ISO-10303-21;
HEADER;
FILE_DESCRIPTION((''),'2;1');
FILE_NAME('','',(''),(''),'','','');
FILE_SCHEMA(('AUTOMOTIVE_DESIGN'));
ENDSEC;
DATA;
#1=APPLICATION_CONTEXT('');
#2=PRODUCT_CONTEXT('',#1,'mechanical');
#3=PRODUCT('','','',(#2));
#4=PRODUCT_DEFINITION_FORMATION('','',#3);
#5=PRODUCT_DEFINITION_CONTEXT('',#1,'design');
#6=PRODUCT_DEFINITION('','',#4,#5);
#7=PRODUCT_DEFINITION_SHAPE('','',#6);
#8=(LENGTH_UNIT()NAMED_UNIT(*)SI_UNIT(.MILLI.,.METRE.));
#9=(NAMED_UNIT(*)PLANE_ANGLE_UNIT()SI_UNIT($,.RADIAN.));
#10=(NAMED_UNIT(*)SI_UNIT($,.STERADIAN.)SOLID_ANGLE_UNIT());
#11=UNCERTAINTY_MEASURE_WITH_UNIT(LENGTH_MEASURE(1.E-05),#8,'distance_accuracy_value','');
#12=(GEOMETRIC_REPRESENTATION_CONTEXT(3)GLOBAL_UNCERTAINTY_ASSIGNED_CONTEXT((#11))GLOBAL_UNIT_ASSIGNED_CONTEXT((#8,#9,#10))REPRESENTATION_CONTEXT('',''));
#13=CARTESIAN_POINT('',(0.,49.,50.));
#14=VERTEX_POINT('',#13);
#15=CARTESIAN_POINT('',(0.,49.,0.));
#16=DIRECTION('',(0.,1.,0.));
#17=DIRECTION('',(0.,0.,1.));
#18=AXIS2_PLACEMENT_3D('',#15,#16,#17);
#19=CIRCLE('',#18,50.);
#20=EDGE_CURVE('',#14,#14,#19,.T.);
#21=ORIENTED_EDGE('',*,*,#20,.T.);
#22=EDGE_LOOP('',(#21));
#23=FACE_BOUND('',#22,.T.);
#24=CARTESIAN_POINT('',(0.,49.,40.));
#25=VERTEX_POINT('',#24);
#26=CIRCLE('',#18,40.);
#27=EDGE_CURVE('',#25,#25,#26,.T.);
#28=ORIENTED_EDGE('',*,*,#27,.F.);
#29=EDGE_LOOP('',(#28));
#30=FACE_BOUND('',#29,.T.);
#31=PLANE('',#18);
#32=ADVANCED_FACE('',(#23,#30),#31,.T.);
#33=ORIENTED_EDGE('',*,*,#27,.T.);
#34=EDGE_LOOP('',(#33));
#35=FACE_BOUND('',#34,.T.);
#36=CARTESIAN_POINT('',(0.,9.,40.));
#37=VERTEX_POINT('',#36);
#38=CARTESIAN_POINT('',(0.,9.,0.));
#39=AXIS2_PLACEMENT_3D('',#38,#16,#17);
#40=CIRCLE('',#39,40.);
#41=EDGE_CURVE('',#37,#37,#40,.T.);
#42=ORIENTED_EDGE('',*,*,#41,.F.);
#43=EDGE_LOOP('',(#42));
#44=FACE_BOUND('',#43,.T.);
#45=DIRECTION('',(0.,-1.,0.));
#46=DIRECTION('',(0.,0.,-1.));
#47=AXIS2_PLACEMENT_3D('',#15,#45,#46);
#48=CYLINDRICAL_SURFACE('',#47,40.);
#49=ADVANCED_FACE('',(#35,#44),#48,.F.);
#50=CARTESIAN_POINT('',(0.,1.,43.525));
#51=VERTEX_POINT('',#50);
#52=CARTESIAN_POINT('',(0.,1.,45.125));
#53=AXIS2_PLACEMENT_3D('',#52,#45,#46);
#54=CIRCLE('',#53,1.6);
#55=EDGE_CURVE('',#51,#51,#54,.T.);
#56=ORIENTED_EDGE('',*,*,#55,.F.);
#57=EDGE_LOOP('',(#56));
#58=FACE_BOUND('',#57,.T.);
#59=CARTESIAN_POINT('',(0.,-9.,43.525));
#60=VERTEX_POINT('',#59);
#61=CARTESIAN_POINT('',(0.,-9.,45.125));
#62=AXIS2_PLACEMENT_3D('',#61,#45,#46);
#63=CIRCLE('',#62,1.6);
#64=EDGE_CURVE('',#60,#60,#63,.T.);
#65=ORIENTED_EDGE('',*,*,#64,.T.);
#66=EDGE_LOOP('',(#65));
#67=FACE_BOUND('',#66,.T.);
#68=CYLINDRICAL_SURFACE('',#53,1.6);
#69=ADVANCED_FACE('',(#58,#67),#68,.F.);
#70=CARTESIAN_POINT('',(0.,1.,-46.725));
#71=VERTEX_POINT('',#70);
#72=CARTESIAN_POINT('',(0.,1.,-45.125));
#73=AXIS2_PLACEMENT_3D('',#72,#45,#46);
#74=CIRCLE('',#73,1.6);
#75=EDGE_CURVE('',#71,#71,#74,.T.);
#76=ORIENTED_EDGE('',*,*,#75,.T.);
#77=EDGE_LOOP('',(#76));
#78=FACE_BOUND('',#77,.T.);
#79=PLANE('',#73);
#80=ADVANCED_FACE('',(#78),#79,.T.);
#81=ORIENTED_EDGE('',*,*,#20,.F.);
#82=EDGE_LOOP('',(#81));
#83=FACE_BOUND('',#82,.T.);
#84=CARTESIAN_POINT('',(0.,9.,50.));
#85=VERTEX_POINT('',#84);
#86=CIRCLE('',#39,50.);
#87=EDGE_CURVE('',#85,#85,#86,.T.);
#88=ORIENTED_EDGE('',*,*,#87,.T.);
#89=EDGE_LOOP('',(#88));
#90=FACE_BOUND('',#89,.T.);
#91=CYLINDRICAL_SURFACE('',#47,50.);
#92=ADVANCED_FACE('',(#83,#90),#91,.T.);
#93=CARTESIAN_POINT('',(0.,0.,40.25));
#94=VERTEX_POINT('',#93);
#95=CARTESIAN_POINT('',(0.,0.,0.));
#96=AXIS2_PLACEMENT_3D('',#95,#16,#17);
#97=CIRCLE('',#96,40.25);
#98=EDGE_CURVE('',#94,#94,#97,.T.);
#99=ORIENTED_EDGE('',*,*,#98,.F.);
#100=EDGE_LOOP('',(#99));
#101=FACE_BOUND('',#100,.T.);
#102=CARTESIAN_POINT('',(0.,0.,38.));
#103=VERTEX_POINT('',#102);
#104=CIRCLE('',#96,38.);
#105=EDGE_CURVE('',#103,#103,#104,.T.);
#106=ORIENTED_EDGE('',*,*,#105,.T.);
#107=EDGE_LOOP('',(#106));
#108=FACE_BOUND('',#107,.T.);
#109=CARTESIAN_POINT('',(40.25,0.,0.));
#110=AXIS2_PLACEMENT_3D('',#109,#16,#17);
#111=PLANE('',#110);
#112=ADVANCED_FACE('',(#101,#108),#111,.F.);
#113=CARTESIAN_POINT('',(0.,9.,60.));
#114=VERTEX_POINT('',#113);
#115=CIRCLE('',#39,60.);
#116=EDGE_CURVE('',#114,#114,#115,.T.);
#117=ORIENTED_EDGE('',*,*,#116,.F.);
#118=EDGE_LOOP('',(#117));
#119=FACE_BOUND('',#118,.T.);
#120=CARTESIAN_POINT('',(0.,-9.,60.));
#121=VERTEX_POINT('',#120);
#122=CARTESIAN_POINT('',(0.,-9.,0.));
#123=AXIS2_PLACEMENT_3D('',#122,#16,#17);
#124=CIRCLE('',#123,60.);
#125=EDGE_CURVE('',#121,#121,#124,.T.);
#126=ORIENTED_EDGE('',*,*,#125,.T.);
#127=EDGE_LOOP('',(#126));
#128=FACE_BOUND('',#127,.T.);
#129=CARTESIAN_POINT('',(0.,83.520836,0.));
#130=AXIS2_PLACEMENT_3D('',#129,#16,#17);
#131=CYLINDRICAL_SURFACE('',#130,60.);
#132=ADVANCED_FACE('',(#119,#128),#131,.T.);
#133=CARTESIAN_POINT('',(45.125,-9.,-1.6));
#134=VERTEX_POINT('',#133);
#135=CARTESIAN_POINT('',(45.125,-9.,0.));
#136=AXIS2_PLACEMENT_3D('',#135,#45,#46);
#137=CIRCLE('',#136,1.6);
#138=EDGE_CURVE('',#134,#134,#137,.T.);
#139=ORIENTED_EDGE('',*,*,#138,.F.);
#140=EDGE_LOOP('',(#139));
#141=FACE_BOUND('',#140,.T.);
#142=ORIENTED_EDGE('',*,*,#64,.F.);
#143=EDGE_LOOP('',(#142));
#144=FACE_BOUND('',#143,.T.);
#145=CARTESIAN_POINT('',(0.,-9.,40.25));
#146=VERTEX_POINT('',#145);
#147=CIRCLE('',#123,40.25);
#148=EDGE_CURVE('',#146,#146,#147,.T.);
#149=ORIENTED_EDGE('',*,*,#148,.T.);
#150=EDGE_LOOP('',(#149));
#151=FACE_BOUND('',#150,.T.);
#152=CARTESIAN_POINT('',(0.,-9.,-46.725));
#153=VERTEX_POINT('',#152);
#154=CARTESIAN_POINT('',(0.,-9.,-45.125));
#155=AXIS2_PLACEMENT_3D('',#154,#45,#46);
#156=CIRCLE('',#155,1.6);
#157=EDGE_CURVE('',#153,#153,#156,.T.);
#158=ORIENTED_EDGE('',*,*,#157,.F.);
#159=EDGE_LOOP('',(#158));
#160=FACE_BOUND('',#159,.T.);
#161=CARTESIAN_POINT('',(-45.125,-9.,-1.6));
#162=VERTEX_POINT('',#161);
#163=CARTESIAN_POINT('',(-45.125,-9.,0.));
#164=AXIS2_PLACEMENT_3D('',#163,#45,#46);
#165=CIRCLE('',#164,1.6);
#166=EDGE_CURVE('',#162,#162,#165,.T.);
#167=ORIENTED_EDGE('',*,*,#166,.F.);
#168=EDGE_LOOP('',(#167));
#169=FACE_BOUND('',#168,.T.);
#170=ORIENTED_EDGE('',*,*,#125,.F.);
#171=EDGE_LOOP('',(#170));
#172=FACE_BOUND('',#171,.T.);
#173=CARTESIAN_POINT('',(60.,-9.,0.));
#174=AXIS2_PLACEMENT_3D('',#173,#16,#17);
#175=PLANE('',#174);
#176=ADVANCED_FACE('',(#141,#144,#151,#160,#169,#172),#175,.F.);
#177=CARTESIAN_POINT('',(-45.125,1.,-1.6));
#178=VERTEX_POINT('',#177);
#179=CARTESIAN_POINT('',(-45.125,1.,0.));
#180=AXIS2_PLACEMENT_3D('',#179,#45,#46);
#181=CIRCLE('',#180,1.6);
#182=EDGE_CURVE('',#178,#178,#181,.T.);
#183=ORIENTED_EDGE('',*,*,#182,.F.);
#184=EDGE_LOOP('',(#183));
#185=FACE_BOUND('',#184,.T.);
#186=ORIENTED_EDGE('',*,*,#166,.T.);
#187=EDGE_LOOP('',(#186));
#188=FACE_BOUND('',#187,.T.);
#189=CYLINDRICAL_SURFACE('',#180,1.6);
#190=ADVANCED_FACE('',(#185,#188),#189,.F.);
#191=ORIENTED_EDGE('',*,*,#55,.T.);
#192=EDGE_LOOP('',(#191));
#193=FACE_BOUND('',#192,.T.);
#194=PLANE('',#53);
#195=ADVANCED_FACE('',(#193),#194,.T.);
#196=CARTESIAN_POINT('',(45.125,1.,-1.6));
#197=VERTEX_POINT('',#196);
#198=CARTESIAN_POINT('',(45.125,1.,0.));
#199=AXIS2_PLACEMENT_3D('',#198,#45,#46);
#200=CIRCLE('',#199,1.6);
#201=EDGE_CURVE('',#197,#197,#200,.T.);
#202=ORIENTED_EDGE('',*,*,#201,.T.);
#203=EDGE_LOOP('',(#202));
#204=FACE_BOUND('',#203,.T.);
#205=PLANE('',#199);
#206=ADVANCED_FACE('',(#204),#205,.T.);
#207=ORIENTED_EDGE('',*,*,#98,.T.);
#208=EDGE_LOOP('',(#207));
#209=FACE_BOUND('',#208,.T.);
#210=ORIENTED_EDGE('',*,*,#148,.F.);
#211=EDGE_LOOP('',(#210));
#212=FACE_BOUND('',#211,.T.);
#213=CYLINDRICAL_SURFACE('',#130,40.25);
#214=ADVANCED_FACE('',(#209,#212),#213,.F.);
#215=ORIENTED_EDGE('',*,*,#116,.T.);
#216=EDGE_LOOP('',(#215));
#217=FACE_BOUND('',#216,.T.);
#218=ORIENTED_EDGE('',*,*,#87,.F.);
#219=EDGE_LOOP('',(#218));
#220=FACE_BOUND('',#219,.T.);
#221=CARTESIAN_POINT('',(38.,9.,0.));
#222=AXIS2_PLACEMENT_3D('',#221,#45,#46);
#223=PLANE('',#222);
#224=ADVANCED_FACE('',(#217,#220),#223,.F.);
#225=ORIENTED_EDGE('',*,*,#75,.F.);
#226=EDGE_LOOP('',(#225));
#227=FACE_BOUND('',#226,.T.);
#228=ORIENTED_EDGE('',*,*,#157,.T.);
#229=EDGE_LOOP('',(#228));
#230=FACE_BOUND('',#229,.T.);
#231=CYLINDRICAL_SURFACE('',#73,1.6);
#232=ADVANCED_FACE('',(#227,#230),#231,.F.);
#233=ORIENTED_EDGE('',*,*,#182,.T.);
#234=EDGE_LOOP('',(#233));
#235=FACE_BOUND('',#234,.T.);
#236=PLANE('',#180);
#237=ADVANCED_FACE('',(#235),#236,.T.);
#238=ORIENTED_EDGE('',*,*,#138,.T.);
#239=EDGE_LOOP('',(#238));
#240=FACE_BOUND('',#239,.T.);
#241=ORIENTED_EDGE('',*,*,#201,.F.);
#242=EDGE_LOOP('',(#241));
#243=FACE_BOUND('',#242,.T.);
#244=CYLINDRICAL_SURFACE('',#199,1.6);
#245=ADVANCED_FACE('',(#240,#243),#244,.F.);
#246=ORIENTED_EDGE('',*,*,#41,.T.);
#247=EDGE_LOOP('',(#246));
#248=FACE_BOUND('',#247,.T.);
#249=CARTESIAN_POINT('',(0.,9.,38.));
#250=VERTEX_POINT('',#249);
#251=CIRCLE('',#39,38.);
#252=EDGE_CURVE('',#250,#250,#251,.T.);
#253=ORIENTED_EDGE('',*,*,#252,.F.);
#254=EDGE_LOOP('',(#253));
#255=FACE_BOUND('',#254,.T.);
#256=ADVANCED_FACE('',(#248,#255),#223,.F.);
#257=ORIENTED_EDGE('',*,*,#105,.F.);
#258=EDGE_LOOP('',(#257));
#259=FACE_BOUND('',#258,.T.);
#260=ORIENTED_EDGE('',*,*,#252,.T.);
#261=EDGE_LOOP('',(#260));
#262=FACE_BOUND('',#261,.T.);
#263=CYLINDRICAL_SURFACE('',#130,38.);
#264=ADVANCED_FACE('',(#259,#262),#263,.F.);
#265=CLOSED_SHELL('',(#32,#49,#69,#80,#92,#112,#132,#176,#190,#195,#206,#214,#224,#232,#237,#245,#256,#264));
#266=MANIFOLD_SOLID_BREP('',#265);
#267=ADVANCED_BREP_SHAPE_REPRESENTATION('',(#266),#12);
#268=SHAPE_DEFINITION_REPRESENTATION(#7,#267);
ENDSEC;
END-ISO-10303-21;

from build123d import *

# Parameters (mm, degrees)
SKETCH3_R           = 1.6
CUT_EXTRUDE1_DEPTH  = 10
SKETCH4_R           = 50
SKETCH4_R_2         = 40
BOSS_EXTRUDE1_DEPTH = 40


with BuildPart() as part:
    # Sketch1 → Revolve1 (revolve)
    with BuildSketch(Plane.XY, mode=Mode.PRIVATE) as revolve1_sk:
        Polygon((38, 0), (38, 9), (60, 9), (60, -9), (40.25, -9), (40.25, 0), align=None)
    revolve(revolve1_sk.sketch.rotate(Axis((0, 83.520836207, 0), (0, -1, 0)), 90), axis=Axis((0, 83.520836207, 0), (0, -1, 0)))

    # Sketch3 → Cut-Extrude1 (cut)
    with BuildSketch(Plane.XZ.offset(9)):
        with Locations(Location((0, 45.125, 0), (0, 0, 270))):
            Circle(SKETCH3_R)
        with Locations(Location((45.125, 0, 0), (0, 0, 270))):
            Circle(SKETCH3_R)
        with Locations(Location((0, -45.125, 0), (0, 0, 270))):
            Circle(SKETCH3_R)
        with Locations(Location((-45.125, 0, 0), (0, 0, 270))):
            Circle(SKETCH3_R)
    extrude(amount=-CUT_EXTRUDE1_DEPTH, mode=Mode.SUBTRACT)

    # Sketch4 → Boss-Extrude1 (add)
    with BuildSketch(Plane(origin=(0, 9, 0), x_dir=(1, 0, 0), z_dir=(0, 1, 0))):
        with Locations(Location((0, 0, 0), (0, 0, 270))):
            Circle(SKETCH4_R)
        with Locations(Location((0, 0, 0), (0, 0, 270))):
            Circle(SKETCH4_R_2, mode=Mode.SUBTRACT)
    extrude(amount=BOSS_EXTRUDE1_DEPTH)


solid = part.part
